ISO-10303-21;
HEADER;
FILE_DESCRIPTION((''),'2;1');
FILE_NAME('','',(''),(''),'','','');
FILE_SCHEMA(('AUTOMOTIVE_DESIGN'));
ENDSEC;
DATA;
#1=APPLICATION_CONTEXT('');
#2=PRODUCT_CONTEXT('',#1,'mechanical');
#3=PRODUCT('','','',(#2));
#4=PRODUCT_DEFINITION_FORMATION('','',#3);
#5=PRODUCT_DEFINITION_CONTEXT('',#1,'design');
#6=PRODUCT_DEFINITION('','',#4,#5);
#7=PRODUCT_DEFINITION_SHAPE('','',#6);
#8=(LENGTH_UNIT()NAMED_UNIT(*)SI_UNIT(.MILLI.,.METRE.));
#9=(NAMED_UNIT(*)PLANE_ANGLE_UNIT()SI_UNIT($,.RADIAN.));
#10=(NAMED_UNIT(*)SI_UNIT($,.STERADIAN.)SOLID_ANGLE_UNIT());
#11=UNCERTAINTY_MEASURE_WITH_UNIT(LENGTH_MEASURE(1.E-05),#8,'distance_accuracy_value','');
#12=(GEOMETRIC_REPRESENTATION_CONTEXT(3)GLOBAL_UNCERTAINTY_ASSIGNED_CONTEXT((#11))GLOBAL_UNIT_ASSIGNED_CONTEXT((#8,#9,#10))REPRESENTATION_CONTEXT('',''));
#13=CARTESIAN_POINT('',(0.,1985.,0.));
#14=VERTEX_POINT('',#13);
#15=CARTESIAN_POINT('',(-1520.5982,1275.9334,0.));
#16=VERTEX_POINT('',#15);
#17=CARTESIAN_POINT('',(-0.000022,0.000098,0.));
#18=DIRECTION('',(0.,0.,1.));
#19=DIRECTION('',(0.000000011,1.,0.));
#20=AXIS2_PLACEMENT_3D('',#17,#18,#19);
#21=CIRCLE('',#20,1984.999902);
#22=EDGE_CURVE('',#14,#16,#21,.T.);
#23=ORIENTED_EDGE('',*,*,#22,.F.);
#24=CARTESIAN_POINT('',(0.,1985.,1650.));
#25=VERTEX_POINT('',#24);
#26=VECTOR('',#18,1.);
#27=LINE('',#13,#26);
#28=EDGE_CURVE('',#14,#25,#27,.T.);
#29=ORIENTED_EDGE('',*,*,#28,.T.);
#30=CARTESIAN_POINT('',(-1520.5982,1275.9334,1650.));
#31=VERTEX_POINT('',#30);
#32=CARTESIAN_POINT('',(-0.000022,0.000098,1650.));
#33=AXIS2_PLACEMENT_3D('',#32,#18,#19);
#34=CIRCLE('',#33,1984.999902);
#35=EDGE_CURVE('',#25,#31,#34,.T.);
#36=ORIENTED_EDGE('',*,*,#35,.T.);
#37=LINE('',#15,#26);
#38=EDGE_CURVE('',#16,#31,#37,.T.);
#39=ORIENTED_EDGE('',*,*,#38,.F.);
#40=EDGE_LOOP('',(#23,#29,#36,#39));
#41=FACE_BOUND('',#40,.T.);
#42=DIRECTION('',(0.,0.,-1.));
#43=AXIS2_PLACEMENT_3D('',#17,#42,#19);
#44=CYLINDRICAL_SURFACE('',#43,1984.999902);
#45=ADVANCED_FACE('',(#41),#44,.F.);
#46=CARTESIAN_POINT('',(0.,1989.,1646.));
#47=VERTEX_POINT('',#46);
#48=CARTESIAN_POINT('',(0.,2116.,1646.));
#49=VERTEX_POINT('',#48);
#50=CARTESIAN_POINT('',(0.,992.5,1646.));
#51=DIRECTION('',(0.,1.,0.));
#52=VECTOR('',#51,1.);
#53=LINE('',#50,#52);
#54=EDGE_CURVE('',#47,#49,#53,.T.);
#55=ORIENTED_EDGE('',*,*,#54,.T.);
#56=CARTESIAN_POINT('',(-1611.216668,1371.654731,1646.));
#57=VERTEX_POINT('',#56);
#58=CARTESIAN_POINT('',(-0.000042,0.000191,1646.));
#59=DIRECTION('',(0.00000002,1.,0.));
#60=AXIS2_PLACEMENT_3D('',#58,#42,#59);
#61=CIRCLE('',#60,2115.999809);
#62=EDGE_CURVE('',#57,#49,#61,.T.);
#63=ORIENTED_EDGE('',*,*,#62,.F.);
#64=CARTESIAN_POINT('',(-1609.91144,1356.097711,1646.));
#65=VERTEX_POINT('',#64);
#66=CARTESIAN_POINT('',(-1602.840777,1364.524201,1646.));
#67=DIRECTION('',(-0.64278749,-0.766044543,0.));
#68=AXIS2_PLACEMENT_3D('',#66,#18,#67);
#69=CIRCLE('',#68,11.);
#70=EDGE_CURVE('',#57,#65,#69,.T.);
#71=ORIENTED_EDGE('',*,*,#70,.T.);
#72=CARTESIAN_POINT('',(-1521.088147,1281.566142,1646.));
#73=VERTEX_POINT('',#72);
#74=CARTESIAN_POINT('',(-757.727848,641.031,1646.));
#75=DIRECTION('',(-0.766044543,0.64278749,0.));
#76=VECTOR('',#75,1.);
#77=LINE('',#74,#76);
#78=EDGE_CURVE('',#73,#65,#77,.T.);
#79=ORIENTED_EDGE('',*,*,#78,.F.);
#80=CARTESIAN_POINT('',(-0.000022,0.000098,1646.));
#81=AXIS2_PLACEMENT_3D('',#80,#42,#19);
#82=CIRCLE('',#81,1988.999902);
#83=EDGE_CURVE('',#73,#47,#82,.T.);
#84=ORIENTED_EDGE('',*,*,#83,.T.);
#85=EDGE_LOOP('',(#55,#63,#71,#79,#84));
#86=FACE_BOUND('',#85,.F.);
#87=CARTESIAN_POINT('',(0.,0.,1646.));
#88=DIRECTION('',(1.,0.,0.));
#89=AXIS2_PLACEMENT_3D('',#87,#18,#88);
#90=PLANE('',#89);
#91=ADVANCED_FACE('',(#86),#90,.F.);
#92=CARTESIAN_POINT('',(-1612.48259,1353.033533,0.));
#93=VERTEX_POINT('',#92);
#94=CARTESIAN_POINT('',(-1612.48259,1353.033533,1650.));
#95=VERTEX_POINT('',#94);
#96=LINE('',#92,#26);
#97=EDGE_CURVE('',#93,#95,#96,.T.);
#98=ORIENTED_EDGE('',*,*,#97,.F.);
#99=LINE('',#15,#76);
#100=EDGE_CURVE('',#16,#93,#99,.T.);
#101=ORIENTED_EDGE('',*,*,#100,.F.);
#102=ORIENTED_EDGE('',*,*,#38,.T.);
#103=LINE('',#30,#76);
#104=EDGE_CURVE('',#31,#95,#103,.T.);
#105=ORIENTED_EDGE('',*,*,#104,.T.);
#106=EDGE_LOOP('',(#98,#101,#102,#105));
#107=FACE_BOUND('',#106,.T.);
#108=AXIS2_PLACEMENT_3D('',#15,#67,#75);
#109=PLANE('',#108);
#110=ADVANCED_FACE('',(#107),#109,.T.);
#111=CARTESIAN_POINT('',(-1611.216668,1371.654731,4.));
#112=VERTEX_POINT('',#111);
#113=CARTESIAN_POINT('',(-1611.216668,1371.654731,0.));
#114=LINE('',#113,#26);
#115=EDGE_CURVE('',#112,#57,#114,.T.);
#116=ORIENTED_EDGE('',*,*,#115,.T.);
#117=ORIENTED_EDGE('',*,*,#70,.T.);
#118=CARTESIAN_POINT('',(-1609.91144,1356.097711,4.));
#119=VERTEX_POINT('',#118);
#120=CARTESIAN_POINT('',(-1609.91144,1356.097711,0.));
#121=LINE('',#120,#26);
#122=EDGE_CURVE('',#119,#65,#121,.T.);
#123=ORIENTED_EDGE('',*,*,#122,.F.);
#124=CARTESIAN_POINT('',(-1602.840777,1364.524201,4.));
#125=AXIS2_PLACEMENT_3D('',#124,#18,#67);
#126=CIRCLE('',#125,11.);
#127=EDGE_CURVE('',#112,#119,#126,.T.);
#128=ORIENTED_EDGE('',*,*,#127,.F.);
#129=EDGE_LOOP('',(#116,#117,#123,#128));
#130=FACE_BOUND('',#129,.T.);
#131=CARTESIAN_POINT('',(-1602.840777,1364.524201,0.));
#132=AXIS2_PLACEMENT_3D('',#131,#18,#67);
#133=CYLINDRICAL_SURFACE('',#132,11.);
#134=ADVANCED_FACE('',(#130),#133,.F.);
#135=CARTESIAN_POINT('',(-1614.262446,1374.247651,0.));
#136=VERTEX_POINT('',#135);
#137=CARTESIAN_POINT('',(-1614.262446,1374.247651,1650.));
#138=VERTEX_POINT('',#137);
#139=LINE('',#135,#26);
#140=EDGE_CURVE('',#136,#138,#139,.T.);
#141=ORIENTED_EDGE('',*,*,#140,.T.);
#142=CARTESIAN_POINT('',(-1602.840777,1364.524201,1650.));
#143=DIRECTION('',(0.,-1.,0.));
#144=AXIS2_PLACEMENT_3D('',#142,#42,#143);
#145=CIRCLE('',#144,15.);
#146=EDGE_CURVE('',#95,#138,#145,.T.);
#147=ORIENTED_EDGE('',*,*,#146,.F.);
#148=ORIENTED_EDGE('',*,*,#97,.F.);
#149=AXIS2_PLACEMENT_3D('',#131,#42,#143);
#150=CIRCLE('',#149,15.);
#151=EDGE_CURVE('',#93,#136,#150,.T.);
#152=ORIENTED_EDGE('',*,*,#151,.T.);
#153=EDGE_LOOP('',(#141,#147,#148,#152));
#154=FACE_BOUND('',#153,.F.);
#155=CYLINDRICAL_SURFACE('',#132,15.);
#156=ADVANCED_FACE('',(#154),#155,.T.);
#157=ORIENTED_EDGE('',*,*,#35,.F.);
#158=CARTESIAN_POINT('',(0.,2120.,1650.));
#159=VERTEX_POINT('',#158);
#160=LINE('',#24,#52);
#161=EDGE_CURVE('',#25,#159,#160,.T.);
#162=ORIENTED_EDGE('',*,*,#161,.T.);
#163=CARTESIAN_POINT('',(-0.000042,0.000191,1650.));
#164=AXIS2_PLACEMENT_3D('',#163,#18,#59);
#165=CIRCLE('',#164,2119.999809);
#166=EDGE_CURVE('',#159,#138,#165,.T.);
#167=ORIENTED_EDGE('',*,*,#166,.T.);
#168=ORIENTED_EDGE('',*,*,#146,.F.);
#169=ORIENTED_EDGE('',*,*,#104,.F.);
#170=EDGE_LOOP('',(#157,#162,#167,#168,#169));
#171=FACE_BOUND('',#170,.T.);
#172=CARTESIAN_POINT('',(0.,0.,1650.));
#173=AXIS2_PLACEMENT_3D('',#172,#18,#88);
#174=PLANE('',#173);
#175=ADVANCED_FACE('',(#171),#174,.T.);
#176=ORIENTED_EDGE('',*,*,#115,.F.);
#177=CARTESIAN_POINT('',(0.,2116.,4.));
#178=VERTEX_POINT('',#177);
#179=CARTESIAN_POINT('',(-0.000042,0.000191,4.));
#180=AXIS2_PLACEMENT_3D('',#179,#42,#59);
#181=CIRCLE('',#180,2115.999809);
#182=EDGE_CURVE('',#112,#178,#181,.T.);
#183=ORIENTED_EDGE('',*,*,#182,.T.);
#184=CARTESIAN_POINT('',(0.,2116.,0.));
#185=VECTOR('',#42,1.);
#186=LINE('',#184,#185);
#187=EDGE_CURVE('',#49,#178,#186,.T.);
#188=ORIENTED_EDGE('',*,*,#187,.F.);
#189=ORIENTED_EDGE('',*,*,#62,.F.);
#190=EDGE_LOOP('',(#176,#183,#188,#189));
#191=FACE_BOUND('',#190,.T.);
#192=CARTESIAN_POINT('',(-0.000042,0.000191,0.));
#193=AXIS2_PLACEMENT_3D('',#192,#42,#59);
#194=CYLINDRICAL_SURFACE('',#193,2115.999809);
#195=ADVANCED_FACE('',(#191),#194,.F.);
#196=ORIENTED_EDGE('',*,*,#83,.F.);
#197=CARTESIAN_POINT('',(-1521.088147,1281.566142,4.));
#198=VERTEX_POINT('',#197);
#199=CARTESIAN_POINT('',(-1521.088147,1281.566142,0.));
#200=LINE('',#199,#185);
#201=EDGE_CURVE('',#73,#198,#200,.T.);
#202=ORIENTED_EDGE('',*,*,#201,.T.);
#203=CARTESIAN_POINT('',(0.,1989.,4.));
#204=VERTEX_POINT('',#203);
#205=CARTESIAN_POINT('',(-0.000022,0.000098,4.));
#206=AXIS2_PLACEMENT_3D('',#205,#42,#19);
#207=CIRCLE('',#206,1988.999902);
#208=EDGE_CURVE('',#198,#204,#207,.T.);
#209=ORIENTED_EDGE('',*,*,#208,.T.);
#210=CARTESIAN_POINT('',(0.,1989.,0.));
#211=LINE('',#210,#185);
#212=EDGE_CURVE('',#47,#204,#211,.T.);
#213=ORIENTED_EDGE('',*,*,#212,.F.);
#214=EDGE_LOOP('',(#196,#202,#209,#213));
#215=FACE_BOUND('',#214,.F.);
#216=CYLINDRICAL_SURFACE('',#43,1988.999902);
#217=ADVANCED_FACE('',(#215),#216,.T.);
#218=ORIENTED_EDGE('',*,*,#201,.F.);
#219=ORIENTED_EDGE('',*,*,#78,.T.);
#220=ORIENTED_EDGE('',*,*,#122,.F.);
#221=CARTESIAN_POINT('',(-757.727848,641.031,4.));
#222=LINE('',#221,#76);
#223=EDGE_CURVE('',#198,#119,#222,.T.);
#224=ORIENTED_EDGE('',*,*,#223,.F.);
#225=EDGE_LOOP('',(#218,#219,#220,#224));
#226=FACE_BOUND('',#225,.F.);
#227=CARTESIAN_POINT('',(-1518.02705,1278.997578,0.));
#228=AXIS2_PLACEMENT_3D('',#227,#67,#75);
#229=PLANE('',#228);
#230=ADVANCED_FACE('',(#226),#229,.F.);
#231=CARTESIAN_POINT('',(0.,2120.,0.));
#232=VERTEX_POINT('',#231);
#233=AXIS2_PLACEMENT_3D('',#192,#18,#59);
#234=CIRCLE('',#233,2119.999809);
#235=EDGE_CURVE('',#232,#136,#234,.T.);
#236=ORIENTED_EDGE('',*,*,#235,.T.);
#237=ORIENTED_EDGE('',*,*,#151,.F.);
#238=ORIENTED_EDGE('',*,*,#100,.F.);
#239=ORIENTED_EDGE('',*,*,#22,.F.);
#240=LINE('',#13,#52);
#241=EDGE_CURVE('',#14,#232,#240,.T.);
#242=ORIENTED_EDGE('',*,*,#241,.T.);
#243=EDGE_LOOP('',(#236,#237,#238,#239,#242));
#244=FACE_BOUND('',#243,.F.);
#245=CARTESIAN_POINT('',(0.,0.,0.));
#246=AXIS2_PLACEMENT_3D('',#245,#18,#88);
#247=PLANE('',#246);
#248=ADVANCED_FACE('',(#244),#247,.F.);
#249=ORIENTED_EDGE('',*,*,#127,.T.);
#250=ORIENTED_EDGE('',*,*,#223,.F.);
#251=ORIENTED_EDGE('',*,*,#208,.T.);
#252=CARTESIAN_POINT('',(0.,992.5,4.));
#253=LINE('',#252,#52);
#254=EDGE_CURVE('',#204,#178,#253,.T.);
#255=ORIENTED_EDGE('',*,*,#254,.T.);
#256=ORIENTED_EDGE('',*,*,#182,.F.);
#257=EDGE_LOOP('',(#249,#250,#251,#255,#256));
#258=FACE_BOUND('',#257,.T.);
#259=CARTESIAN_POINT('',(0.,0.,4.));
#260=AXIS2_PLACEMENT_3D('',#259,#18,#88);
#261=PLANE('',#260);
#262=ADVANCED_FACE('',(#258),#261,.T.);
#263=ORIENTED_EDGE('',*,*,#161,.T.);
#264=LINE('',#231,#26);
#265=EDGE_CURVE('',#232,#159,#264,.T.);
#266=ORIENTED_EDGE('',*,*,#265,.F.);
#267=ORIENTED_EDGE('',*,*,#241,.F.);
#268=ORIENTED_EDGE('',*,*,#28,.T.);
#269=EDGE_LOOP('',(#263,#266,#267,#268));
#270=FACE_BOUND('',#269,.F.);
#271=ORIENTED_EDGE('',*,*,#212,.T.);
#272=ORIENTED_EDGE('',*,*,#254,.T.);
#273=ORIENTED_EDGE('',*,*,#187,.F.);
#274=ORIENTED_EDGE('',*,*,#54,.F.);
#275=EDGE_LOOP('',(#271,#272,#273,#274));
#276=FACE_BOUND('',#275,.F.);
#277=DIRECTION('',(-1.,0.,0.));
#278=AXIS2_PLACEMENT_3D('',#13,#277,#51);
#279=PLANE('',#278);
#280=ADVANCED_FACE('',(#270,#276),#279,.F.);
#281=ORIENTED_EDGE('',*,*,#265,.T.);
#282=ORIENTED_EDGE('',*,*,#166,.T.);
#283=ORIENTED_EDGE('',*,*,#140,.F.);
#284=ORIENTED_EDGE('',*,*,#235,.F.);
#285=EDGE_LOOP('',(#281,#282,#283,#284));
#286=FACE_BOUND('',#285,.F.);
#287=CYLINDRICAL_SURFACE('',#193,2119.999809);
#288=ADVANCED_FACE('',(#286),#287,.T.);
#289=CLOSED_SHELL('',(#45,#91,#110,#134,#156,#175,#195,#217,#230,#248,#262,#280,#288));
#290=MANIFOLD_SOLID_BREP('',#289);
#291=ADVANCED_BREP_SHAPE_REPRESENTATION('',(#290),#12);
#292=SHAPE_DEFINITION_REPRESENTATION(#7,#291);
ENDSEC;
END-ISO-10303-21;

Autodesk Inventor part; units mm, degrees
ref_plane "YZ Plane" through (0, 0, 0) normal (1, 0, 0) x (0, 1, 0)
ref_plane "XY Plane" through (0, 0, 0) normal (0, 0, 1) x (1, 0, 0)
sketch "Sketch1" plane through (0, 0, 0) normal (0, 0, 1) x (1, 0, 0)
  arc A0 (0, 2120) -> (-1624.0142, 1362.7097) centre (0, 0) ccw
  line L0 (0, 1985) -> (0, 2120)
  line L1 (0, 0) -> (2120, 0) construction
  line L2 (-1520.5982, 1275.9334) -> (-1624.0142, 1362.7097)
  line L3 (0, 0) -> (2120, 0) construction
  arc A1 (0, 1985) -> (-1520.5982, 1275.9334) centre (0, 0) ccw
  dimension "d0" = 4240
  dimension "d1" = 90
  dimension "d2" = 140
  dimension "d5" = 1985
extrude "Extrusion1" add sketch "Sketch1" along normal blind 1650
ref_plane "Work Plane1" through (-1520.5982, 1275.9334, 0) normal (0, 1, 0) x (0, 0, 1)
fillet "Fillet1" radius 15 1 edges at (-1624.0142, 1362.7097, 825)
shell "Shell2" thickness 4 removed faces 1 at (0, 2030, 550)
properties part number "Water Tank" material "Polycarbonate, Clear"
